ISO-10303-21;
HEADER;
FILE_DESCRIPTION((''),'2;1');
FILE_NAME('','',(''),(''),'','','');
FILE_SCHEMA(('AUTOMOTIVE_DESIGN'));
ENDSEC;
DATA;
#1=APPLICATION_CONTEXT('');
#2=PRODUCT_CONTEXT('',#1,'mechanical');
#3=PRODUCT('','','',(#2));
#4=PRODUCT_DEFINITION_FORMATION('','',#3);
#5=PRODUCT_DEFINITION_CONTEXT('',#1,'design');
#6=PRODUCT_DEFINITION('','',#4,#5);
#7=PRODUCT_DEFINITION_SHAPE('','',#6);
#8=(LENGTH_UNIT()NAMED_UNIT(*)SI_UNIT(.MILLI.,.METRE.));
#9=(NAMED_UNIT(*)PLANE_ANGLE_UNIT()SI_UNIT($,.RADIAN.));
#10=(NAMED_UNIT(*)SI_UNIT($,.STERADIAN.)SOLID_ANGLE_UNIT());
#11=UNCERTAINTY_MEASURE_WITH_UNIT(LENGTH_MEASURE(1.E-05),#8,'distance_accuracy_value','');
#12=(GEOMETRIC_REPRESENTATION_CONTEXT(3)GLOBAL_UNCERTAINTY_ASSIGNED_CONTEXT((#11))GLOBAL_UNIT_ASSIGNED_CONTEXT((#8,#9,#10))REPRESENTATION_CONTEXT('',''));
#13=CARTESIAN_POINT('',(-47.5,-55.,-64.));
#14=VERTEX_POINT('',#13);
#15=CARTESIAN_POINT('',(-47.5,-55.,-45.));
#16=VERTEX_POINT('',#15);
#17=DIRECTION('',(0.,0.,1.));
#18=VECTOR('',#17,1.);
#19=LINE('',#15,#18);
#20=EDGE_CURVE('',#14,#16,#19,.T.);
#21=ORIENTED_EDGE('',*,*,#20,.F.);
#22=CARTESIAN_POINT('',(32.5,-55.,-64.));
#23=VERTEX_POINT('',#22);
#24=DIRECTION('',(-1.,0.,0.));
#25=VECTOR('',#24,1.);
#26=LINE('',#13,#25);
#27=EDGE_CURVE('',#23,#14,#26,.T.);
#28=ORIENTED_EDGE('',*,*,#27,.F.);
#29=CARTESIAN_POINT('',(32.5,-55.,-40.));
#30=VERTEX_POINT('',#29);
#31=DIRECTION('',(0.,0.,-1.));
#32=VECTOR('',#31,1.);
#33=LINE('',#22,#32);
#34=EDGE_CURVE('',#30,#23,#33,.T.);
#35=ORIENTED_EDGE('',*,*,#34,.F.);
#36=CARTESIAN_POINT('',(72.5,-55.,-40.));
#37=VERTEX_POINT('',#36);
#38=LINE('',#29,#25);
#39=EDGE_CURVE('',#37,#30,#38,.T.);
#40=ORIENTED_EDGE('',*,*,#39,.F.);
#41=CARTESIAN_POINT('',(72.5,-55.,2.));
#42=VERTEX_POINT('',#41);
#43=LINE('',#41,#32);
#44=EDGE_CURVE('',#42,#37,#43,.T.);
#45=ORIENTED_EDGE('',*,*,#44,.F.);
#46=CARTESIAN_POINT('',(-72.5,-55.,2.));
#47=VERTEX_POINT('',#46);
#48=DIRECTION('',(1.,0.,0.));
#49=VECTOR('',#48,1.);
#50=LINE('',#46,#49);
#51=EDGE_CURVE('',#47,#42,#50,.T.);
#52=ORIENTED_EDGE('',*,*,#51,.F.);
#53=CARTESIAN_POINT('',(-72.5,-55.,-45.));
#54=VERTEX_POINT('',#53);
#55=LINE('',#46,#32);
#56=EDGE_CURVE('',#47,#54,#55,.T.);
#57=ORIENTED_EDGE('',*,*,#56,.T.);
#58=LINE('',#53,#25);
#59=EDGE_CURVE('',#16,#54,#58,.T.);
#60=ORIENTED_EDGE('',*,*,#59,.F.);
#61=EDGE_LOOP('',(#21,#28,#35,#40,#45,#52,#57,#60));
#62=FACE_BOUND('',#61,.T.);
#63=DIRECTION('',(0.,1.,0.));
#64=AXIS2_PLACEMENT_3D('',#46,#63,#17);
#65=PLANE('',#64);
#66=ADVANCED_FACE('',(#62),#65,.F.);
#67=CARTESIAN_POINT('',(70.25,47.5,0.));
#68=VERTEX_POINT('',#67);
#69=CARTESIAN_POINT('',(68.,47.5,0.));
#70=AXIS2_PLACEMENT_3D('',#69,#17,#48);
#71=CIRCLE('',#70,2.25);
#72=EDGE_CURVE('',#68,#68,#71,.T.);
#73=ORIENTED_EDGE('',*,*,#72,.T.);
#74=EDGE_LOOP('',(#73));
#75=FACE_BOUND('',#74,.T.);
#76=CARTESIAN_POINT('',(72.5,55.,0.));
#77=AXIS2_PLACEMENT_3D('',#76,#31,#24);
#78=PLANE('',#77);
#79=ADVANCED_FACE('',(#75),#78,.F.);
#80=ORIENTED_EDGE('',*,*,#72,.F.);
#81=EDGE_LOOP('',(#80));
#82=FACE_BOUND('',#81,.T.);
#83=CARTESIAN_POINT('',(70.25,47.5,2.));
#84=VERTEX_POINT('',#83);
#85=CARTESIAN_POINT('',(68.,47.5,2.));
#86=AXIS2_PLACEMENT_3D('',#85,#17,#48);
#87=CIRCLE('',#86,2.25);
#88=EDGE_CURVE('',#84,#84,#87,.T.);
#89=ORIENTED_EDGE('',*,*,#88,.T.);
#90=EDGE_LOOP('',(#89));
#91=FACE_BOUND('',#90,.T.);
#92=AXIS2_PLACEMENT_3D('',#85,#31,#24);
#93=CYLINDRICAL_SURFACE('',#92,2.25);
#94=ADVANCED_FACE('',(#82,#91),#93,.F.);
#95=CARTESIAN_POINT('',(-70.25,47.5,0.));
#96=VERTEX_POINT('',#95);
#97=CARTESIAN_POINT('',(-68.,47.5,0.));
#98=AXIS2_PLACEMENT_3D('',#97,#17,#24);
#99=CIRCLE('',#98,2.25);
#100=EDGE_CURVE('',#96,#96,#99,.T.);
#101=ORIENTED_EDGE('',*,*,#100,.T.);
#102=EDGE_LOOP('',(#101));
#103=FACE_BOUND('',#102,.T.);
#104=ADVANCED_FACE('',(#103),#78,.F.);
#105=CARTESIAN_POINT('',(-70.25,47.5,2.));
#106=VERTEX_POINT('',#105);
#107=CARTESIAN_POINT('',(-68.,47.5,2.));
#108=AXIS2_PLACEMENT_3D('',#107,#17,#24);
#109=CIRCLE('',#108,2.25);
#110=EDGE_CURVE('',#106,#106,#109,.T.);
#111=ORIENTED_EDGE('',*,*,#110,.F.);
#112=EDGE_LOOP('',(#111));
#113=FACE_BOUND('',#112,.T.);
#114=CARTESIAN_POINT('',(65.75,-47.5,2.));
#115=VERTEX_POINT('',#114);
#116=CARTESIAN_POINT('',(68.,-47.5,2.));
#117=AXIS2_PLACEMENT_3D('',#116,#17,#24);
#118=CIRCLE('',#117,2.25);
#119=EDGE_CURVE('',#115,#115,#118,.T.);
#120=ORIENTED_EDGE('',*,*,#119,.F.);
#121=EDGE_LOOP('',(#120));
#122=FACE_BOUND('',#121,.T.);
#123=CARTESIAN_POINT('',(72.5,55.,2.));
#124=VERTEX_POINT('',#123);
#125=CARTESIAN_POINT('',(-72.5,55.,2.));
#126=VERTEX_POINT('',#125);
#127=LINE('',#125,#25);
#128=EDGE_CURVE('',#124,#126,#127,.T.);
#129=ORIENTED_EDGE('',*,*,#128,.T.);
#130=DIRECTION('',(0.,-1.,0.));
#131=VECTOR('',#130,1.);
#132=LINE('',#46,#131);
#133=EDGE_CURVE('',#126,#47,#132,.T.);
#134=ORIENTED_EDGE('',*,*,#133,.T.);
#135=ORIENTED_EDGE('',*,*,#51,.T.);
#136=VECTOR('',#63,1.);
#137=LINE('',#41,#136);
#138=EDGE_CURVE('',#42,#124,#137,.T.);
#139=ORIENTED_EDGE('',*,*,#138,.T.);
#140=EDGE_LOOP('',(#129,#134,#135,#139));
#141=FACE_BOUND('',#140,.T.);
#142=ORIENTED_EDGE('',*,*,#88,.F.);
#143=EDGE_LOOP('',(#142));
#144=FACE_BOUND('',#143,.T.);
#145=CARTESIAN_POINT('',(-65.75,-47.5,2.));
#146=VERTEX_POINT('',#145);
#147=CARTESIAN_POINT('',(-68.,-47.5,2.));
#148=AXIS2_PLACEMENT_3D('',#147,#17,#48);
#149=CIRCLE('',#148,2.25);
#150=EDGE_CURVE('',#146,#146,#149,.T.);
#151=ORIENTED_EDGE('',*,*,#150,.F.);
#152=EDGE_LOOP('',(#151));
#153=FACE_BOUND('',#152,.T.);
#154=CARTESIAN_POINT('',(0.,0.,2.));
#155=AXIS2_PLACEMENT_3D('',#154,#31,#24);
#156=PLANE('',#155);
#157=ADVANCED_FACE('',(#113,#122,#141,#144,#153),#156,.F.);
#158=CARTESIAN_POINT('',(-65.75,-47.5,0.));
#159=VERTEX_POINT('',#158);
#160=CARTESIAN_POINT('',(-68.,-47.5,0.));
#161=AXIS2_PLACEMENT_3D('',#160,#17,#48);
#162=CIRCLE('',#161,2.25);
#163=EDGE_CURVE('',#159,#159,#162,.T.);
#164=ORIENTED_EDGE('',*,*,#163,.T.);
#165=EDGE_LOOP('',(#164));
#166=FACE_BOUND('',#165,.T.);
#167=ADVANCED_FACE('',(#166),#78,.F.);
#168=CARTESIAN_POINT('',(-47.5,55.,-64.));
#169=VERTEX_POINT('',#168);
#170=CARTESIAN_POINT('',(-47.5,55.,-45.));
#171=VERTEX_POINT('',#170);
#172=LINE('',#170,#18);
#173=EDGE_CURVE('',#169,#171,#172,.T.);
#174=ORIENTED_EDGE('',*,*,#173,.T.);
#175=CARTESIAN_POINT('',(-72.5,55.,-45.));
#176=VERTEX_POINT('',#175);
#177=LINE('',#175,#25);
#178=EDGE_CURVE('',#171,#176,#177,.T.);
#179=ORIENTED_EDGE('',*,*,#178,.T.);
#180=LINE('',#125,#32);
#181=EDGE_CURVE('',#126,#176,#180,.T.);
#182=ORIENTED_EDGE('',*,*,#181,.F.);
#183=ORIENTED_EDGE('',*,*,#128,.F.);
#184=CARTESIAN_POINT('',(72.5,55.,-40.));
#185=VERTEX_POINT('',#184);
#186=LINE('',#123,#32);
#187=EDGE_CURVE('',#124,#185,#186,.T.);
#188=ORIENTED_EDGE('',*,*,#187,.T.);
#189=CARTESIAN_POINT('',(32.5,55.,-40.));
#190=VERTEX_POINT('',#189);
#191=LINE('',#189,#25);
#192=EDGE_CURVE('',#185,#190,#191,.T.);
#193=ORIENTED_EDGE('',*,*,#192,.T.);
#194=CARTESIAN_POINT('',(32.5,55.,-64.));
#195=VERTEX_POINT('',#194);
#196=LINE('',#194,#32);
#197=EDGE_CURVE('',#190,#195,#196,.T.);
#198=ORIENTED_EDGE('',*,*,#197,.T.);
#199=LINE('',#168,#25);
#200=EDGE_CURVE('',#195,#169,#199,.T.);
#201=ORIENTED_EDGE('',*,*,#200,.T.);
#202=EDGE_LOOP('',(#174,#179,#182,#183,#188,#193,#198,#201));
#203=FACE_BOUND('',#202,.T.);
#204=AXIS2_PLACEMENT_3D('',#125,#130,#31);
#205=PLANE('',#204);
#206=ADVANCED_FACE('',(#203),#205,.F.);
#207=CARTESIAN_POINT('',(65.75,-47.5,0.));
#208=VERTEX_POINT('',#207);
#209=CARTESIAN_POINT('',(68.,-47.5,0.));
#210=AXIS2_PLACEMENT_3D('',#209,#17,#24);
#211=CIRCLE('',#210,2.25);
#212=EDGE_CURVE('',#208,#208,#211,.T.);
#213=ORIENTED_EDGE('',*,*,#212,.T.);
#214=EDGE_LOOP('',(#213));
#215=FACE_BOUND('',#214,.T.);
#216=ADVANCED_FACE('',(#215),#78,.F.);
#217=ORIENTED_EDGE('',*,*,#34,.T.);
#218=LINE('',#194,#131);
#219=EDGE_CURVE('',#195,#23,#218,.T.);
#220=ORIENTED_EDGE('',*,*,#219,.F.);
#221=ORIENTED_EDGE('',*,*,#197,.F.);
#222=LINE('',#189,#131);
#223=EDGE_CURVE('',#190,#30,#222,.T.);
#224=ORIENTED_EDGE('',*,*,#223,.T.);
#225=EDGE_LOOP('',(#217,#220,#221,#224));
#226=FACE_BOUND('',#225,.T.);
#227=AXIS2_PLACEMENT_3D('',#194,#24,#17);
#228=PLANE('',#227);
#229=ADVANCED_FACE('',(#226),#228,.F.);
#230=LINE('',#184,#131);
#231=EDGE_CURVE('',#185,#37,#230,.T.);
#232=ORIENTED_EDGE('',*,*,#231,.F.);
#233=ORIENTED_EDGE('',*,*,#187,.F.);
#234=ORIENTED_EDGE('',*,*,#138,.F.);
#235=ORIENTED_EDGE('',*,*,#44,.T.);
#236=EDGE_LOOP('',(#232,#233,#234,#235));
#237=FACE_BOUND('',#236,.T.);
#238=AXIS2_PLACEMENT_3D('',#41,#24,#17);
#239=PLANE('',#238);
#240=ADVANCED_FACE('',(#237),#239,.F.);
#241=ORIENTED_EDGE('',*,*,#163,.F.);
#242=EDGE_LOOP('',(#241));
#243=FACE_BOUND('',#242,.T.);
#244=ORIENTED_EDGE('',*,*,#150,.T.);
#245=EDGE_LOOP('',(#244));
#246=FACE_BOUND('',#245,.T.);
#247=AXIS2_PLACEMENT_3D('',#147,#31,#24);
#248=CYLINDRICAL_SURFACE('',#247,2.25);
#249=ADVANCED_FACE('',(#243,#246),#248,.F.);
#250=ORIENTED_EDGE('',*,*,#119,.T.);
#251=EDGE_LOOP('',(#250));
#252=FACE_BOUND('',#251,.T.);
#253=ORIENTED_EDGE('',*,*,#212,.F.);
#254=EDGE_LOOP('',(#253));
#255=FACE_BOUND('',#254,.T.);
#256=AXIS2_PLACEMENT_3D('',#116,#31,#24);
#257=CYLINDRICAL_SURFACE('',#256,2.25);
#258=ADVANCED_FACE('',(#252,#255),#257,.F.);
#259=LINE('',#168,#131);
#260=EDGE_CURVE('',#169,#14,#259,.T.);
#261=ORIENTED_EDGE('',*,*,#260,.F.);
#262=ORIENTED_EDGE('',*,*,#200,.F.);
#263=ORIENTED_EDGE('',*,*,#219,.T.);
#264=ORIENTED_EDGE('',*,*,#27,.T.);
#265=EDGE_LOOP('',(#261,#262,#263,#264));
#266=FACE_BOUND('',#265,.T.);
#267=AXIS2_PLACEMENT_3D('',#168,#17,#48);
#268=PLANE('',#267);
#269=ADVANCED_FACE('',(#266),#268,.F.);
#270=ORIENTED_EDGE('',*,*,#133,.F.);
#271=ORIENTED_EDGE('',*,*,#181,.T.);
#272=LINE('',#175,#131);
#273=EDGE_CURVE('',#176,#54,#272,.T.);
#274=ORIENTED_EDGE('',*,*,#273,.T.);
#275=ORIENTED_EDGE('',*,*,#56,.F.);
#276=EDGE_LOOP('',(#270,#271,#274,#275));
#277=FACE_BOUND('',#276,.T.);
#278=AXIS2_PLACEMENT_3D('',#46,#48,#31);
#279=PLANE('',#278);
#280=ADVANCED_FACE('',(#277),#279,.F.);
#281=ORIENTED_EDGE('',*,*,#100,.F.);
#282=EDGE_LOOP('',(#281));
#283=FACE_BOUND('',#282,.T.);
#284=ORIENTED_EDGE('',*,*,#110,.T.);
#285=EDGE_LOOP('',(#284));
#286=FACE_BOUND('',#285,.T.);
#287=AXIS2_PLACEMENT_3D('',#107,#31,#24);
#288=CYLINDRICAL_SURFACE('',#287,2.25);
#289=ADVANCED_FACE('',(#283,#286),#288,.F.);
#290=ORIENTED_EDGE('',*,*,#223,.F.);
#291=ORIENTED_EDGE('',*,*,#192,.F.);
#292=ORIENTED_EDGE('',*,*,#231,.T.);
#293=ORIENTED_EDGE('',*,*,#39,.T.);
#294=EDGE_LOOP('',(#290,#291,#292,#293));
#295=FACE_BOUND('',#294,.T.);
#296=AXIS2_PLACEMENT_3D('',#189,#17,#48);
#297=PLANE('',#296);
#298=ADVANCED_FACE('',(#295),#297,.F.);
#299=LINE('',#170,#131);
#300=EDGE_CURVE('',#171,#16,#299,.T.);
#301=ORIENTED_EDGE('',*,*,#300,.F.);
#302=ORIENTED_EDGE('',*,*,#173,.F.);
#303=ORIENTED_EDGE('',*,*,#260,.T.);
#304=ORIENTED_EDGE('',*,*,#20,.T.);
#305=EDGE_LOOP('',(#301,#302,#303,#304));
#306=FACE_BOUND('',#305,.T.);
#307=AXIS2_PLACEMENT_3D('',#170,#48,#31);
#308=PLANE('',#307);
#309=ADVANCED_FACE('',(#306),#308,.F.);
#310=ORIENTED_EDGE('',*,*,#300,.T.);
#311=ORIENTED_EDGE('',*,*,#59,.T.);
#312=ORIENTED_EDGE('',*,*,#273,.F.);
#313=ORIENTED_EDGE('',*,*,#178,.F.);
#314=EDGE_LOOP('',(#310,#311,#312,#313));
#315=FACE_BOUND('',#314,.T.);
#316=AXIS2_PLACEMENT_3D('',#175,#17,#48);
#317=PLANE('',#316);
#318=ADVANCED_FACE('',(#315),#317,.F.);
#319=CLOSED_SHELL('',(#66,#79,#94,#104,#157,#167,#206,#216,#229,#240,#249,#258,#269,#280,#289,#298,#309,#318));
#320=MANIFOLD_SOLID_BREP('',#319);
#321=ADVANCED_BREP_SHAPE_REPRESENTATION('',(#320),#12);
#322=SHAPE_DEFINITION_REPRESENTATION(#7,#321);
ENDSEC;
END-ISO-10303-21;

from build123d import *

# Parameters (mm, degrees)
SKETCH1_W                = 145
SKETCH1_H                = 110
SKETCH1_R                = 2.25
BOSS_EXTRUDE1_DEPTH      = 2
BOSS_EXTRUDE2_DEPTH      = 55
BOSS_EXTRUDE2_DEPTH_BACK = 55


with BuildPart() as part:
    # Sketch1 → Boss-Extrude1 (new body)
    with BuildSketch(Plane.XY):
        Rectangle(SKETCH1_W, SKETCH1_H)
        with Locations((-68, -47.5)):
            Circle(SKETCH1_R, mode=Mode.SUBTRACT)
        with Locations(Location((68, -47.5, 0), (0, 0, 180))):
            Circle(SKETCH1_R, mode=Mode.SUBTRACT)
        with Locations((68, 47.5)):
            Circle(SKETCH1_R, mode=Mode.SUBTRACT)
        with Locations(Location((-68, 47.5, 0), (0, 0, 180))):
            Circle(SKETCH1_R, mode=Mode.SUBTRACT)
    extrude(amount=BOSS_EXTRUDE1_DEPTH)

    # Sketch3 → Boss-Extrude2 (add, two sides: drawn at the far end of the back side and taken through both)
    with BuildSketch(Plane(origin=(0, 0, 0), x_dir=(1, 0, 0), z_dir=(0, 1, 0)).offset(-BOSS_EXTRUDE2_DEPTH_BACK)):
        Polygon((-72.5, 0), (-72.5, 45), (-47.5, 45), (-47.5, 64), (32.5, 64), (32.5, 40), (72.5, 40), (72.5, 0), align=None)
    extrude(amount=BOSS_EXTRUDE2_DEPTH + BOSS_EXTRUDE2_DEPTH_BACK)


solid = part.part
